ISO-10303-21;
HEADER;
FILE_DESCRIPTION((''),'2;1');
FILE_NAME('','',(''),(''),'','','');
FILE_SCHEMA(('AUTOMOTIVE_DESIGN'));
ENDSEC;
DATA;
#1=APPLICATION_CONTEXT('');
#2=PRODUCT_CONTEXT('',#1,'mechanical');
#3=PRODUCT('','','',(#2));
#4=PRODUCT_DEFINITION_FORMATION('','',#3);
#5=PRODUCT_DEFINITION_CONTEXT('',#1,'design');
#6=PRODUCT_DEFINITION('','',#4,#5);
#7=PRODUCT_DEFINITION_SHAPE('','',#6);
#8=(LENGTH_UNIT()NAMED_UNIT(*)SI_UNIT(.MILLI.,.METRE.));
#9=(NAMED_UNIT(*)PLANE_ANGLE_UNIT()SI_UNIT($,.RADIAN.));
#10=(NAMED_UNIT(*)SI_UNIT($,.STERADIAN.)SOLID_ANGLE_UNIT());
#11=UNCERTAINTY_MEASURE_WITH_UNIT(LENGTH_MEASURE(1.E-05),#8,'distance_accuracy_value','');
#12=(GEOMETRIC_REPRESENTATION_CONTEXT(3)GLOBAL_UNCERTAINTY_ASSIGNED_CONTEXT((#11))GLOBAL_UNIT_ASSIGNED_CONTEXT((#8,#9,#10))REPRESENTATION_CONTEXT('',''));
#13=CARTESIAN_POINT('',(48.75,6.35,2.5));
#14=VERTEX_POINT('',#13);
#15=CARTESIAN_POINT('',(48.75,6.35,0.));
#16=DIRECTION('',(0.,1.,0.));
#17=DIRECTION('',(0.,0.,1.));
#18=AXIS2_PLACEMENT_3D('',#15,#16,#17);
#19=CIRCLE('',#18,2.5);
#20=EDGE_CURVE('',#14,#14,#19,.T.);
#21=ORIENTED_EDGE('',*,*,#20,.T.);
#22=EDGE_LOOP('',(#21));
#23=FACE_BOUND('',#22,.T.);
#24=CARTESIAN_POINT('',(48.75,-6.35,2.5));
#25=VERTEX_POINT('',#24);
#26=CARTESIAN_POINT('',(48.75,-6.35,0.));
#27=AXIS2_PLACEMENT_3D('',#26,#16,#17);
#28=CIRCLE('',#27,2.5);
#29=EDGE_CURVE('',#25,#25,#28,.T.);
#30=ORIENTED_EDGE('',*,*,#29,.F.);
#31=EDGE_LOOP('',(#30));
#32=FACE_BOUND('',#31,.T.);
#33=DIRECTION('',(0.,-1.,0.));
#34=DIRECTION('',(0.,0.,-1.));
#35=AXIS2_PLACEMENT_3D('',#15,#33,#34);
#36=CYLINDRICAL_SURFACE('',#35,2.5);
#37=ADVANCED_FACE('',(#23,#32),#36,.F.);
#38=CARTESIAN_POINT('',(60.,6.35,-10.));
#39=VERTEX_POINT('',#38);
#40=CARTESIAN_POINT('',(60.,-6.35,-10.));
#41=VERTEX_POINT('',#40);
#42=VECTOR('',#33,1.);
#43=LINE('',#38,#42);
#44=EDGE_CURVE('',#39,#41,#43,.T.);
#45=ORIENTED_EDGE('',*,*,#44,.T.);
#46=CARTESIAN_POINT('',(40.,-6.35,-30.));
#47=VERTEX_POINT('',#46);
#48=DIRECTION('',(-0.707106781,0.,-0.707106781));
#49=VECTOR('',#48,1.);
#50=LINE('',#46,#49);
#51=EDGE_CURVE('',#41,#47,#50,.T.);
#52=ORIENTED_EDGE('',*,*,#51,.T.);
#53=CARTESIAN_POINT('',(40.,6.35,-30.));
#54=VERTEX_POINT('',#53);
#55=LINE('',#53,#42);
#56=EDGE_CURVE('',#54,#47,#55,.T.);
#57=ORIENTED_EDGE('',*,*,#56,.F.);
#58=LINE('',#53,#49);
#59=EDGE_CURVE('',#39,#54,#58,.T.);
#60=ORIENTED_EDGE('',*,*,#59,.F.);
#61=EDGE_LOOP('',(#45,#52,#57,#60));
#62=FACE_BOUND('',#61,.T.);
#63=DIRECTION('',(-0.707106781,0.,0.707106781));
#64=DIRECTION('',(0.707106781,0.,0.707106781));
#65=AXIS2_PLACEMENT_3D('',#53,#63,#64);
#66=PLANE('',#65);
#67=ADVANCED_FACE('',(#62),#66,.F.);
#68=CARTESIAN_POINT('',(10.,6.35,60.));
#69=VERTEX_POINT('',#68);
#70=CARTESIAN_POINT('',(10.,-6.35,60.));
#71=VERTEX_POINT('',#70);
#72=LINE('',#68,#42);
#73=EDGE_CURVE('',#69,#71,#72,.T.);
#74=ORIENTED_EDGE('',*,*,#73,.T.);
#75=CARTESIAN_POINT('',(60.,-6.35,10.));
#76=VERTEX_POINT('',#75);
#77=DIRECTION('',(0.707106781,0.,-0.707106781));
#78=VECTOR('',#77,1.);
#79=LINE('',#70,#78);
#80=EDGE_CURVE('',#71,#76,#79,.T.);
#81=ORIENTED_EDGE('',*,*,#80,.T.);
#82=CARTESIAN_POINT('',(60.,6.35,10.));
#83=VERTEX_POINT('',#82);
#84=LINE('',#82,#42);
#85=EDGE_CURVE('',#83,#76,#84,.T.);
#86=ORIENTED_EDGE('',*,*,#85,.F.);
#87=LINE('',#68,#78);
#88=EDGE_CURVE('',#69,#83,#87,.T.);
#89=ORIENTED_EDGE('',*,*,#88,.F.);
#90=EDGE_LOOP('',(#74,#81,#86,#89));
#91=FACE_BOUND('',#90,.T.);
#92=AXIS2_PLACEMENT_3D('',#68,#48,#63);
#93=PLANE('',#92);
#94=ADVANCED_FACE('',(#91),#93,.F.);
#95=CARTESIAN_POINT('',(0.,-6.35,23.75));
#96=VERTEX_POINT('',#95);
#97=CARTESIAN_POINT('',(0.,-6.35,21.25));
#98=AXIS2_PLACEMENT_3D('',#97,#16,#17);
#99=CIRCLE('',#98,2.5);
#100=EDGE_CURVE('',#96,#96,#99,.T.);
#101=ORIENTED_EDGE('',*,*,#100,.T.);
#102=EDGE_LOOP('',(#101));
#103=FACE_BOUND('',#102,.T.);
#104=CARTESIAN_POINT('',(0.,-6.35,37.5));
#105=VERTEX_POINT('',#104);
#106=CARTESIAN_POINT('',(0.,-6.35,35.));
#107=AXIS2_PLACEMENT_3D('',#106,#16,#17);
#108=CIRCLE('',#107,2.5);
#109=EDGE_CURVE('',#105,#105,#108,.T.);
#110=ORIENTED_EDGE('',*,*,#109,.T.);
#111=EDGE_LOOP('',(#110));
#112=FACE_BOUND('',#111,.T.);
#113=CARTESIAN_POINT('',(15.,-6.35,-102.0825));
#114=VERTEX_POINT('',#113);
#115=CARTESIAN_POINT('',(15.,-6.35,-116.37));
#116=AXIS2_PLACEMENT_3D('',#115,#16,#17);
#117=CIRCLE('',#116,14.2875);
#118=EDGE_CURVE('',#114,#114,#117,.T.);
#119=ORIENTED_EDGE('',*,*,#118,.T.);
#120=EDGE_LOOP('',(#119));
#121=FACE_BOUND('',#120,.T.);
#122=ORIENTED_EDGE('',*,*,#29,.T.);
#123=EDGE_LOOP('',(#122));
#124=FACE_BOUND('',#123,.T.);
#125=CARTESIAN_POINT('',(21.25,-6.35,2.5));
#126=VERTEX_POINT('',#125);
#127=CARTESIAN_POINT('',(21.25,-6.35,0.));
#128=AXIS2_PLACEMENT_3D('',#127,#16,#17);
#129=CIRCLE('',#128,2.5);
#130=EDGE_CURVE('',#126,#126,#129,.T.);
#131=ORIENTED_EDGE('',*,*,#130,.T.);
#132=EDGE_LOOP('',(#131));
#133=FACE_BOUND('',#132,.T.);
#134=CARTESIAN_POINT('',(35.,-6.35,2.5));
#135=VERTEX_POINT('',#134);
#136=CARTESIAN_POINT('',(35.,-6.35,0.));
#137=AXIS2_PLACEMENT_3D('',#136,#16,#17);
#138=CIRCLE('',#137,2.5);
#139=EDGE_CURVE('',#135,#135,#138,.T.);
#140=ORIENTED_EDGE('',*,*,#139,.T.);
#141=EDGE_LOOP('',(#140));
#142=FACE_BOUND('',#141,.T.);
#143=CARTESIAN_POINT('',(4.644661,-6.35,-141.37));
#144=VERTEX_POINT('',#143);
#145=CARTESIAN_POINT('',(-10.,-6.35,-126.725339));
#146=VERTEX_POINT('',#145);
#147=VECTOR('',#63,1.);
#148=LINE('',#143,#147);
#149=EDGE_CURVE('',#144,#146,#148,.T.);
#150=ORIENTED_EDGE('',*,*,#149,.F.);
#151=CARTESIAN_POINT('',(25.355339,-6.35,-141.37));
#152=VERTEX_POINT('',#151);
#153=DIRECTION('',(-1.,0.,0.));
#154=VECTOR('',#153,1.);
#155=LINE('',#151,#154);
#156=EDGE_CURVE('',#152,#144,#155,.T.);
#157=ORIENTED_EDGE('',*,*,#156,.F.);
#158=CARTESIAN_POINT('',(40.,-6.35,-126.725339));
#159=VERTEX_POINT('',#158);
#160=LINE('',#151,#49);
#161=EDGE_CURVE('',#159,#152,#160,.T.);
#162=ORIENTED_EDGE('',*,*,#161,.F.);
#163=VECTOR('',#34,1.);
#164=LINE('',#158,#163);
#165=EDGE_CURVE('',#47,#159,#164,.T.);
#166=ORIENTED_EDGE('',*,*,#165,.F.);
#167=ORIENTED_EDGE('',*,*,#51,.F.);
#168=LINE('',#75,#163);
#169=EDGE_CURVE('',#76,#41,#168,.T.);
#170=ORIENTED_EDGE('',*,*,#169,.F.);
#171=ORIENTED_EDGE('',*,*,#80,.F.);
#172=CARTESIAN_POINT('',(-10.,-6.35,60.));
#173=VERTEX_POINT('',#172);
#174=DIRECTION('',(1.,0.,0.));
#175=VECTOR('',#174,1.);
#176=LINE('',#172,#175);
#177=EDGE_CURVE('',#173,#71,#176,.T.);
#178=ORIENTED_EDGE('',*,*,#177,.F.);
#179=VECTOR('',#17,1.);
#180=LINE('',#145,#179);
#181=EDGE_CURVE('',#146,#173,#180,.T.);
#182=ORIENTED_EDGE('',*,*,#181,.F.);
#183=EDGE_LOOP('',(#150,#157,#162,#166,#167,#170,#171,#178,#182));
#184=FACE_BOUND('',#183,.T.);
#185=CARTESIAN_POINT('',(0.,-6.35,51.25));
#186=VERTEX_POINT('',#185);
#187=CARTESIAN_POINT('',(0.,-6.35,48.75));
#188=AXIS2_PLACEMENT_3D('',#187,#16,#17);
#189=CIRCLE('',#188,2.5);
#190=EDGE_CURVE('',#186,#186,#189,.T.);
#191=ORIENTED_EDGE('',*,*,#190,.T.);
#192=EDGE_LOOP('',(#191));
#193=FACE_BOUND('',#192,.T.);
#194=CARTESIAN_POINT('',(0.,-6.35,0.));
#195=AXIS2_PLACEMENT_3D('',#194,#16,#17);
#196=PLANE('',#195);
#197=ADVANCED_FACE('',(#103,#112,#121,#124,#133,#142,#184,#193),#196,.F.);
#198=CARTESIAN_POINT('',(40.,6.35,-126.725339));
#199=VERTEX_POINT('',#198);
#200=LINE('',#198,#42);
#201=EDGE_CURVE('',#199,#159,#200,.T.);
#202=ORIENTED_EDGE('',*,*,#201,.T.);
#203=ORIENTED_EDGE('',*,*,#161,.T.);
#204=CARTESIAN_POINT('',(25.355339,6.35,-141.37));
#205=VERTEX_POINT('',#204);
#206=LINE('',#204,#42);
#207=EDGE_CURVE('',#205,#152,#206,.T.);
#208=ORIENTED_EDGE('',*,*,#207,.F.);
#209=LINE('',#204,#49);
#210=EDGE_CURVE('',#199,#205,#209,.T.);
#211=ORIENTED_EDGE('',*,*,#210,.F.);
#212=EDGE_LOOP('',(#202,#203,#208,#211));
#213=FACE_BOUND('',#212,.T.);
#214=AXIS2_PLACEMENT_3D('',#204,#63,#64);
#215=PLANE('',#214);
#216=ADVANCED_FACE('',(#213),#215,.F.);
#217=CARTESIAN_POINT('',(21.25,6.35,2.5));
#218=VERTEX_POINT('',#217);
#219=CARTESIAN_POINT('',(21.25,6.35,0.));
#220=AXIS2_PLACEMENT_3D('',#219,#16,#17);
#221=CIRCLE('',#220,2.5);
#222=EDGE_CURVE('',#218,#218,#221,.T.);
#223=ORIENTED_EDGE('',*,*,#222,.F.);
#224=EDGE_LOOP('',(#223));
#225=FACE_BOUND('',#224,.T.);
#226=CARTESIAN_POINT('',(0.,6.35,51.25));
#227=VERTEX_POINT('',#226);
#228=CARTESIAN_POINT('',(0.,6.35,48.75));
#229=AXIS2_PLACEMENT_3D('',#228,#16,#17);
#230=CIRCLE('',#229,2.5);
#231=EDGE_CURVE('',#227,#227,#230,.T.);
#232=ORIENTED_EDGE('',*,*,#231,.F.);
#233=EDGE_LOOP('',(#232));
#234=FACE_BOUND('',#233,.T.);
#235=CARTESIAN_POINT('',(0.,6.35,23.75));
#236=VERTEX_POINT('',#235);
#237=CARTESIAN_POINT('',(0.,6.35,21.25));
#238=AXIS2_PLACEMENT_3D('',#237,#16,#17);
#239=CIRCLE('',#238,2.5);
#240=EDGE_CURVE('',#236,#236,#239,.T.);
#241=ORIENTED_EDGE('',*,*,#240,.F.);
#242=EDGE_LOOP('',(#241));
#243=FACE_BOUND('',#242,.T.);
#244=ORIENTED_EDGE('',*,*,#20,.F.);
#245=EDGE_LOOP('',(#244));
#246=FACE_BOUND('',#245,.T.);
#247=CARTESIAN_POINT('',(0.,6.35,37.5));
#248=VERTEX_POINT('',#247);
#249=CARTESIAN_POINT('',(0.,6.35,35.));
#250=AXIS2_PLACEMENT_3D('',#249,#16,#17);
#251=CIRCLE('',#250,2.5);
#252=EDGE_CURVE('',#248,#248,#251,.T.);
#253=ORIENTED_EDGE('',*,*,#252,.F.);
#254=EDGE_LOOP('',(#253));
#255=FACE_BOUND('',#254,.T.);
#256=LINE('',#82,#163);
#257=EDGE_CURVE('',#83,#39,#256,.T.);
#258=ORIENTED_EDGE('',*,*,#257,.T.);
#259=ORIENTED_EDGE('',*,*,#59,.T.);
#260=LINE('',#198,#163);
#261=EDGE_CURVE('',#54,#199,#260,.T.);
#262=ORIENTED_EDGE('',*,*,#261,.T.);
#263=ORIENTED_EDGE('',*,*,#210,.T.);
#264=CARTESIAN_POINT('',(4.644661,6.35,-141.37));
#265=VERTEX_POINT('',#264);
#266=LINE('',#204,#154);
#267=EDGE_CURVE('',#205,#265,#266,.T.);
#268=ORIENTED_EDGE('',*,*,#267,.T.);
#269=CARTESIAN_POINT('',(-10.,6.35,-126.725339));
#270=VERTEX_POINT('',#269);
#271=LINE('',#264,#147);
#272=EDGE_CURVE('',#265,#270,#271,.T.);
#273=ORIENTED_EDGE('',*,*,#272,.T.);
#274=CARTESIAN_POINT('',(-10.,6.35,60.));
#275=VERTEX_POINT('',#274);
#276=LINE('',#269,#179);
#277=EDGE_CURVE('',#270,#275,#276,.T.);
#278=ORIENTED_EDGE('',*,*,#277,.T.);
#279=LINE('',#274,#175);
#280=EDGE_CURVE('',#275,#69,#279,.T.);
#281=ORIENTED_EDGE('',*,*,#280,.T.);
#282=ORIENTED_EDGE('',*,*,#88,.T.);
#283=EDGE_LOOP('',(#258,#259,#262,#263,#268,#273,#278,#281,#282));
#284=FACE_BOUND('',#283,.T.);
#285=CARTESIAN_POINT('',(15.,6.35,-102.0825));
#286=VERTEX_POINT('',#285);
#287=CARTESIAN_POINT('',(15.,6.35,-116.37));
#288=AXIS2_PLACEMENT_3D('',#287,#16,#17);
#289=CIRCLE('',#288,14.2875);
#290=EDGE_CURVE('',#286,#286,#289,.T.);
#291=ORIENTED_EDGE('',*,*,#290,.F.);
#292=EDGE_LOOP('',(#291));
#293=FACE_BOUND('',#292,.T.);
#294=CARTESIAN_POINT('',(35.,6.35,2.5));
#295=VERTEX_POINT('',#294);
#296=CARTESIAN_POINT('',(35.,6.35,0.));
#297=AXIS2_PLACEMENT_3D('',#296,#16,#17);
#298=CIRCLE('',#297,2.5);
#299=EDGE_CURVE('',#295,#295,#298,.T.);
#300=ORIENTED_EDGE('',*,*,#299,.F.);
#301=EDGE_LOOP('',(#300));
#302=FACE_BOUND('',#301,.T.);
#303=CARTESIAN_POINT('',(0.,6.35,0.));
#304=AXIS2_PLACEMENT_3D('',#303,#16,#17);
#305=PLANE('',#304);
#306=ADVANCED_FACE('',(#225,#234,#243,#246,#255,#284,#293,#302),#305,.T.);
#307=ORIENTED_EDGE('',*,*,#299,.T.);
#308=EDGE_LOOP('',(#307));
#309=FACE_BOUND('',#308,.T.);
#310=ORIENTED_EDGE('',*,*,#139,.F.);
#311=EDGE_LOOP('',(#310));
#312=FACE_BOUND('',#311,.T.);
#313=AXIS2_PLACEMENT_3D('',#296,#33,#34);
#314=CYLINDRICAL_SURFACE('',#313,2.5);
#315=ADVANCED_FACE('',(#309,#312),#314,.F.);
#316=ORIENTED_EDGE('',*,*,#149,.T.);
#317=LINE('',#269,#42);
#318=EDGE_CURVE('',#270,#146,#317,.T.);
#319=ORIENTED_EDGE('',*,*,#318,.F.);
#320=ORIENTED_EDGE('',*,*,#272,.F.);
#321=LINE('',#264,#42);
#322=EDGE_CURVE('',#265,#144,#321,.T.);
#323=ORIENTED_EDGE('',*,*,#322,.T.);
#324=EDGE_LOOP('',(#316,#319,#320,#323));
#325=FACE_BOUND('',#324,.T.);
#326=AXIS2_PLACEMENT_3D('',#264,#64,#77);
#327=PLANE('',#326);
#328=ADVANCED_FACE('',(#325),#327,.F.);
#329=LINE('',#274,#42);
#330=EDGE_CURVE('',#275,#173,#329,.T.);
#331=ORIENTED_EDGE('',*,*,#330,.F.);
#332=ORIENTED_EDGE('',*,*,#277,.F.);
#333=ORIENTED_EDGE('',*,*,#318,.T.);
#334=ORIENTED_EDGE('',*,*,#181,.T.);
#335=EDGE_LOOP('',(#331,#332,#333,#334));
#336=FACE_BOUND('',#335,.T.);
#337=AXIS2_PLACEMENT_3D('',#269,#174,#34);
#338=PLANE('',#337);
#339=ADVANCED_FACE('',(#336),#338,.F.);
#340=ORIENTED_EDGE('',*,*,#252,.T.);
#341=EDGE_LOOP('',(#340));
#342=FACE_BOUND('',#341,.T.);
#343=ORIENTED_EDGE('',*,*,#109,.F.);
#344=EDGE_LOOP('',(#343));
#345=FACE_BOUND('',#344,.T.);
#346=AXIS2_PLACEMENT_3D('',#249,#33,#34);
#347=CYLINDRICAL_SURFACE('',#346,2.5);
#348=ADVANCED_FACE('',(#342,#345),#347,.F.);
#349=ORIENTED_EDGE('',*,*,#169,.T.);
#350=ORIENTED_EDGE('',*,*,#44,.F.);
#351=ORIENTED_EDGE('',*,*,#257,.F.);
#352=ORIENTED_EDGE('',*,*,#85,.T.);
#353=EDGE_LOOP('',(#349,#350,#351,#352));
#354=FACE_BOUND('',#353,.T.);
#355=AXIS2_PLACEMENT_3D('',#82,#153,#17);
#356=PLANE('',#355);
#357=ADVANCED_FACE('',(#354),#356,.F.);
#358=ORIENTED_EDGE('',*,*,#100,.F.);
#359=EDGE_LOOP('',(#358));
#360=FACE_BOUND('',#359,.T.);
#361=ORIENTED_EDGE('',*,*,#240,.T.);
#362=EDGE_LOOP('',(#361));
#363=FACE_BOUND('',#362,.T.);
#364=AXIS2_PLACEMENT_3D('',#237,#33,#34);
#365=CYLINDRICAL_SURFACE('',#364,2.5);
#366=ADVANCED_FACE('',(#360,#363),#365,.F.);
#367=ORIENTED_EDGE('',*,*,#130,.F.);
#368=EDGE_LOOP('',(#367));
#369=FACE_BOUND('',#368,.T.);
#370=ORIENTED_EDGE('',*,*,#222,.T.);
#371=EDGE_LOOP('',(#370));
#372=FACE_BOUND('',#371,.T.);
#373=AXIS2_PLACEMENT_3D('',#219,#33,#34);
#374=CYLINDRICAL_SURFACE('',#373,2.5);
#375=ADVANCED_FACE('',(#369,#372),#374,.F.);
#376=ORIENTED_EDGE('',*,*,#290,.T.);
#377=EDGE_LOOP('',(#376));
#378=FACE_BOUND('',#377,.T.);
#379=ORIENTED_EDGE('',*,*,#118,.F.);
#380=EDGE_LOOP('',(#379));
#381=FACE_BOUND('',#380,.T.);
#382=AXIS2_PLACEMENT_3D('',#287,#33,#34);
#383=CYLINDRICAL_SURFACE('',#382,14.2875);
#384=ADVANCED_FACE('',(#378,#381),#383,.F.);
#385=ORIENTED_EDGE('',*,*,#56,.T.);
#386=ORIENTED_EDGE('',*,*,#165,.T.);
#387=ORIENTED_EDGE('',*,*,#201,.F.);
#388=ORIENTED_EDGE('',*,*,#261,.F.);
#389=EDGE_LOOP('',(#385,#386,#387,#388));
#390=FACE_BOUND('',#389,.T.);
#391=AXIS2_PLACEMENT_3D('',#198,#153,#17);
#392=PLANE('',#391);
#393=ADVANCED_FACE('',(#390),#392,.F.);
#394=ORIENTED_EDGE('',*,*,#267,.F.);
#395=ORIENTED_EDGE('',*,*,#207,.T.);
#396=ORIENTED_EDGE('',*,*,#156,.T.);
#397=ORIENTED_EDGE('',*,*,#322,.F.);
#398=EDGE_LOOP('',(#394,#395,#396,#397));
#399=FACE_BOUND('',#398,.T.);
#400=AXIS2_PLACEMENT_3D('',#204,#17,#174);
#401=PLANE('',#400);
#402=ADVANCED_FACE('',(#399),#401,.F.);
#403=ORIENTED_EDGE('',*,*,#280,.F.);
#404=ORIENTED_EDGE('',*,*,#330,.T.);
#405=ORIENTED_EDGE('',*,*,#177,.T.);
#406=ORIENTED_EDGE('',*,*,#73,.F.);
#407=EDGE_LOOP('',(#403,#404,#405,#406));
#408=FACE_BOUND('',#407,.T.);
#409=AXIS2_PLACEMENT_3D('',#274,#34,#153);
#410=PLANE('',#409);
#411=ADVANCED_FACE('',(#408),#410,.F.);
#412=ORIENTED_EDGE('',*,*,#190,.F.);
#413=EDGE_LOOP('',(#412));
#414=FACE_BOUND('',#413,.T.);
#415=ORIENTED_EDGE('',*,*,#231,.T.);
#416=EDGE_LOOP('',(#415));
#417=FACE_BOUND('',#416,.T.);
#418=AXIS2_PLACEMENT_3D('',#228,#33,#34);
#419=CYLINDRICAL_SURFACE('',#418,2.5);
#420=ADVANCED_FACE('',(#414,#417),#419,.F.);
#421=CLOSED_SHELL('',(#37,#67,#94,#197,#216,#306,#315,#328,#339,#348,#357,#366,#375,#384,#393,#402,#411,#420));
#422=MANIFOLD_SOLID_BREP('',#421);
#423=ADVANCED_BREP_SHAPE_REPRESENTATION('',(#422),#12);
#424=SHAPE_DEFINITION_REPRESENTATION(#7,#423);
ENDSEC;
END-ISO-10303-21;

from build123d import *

# Parameters (mm, degrees)
SKETCH1_R           = 14.2875
SKETCH1_R_2         = 2.5
BOSS_EXTRUDE1_DEPTH = 6.35


with BuildPart() as part:
    # Sketch1 → Boss-Extrude1 (new, symmetric)
    with BuildSketch(Plane(origin=(0, 0, 0), x_dir=(1, 0, 0), z_dir=(0, 1, 0))):
        Polygon((-10, -60), (10, -60), (60, -10), (60, 10), (40, 30), (40, 126.725339059), (25.355339059, 141.37), (4.644660941, 141.37), (-10, 126.725339059), align=None)
        with Locations(Location((15, 116.37, 0), (0, 0, 270))):
            Circle(SKETCH1_R, mode=Mode.SUBTRACT)
        with Locations(Location((48.75, 0, 0), (0, 0, 270))):
            Circle(SKETCH1_R_2, mode=Mode.SUBTRACT)
        with Locations(Location((35, 0, 0), (0, 0, 270))):
            Circle(SKETCH1_R_2, mode=Mode.SUBTRACT)
        with Locations(Location((21.25, 0, 0), (0, 0, 270))):
            Circle(SKETCH1_R_2, mode=Mode.SUBTRACT)
        with Locations(Location((0, -48.75, 0), (0, 0, 270))):
            Circle(SKETCH1_R_2, mode=Mode.SUBTRACT)
        with Locations(Location((0, -35, 0), (0, 0, 270))):
            Circle(SKETCH1_R_2, mode=Mode.SUBTRACT)
        with Locations(Location((0, -21.25, 0), (0, 0, 270))):
            Circle(SKETCH1_R_2, mode=Mode.SUBTRACT)
    extrude(amount=BOSS_EXTRUDE1_DEPTH, both=True)


solid = part.part
